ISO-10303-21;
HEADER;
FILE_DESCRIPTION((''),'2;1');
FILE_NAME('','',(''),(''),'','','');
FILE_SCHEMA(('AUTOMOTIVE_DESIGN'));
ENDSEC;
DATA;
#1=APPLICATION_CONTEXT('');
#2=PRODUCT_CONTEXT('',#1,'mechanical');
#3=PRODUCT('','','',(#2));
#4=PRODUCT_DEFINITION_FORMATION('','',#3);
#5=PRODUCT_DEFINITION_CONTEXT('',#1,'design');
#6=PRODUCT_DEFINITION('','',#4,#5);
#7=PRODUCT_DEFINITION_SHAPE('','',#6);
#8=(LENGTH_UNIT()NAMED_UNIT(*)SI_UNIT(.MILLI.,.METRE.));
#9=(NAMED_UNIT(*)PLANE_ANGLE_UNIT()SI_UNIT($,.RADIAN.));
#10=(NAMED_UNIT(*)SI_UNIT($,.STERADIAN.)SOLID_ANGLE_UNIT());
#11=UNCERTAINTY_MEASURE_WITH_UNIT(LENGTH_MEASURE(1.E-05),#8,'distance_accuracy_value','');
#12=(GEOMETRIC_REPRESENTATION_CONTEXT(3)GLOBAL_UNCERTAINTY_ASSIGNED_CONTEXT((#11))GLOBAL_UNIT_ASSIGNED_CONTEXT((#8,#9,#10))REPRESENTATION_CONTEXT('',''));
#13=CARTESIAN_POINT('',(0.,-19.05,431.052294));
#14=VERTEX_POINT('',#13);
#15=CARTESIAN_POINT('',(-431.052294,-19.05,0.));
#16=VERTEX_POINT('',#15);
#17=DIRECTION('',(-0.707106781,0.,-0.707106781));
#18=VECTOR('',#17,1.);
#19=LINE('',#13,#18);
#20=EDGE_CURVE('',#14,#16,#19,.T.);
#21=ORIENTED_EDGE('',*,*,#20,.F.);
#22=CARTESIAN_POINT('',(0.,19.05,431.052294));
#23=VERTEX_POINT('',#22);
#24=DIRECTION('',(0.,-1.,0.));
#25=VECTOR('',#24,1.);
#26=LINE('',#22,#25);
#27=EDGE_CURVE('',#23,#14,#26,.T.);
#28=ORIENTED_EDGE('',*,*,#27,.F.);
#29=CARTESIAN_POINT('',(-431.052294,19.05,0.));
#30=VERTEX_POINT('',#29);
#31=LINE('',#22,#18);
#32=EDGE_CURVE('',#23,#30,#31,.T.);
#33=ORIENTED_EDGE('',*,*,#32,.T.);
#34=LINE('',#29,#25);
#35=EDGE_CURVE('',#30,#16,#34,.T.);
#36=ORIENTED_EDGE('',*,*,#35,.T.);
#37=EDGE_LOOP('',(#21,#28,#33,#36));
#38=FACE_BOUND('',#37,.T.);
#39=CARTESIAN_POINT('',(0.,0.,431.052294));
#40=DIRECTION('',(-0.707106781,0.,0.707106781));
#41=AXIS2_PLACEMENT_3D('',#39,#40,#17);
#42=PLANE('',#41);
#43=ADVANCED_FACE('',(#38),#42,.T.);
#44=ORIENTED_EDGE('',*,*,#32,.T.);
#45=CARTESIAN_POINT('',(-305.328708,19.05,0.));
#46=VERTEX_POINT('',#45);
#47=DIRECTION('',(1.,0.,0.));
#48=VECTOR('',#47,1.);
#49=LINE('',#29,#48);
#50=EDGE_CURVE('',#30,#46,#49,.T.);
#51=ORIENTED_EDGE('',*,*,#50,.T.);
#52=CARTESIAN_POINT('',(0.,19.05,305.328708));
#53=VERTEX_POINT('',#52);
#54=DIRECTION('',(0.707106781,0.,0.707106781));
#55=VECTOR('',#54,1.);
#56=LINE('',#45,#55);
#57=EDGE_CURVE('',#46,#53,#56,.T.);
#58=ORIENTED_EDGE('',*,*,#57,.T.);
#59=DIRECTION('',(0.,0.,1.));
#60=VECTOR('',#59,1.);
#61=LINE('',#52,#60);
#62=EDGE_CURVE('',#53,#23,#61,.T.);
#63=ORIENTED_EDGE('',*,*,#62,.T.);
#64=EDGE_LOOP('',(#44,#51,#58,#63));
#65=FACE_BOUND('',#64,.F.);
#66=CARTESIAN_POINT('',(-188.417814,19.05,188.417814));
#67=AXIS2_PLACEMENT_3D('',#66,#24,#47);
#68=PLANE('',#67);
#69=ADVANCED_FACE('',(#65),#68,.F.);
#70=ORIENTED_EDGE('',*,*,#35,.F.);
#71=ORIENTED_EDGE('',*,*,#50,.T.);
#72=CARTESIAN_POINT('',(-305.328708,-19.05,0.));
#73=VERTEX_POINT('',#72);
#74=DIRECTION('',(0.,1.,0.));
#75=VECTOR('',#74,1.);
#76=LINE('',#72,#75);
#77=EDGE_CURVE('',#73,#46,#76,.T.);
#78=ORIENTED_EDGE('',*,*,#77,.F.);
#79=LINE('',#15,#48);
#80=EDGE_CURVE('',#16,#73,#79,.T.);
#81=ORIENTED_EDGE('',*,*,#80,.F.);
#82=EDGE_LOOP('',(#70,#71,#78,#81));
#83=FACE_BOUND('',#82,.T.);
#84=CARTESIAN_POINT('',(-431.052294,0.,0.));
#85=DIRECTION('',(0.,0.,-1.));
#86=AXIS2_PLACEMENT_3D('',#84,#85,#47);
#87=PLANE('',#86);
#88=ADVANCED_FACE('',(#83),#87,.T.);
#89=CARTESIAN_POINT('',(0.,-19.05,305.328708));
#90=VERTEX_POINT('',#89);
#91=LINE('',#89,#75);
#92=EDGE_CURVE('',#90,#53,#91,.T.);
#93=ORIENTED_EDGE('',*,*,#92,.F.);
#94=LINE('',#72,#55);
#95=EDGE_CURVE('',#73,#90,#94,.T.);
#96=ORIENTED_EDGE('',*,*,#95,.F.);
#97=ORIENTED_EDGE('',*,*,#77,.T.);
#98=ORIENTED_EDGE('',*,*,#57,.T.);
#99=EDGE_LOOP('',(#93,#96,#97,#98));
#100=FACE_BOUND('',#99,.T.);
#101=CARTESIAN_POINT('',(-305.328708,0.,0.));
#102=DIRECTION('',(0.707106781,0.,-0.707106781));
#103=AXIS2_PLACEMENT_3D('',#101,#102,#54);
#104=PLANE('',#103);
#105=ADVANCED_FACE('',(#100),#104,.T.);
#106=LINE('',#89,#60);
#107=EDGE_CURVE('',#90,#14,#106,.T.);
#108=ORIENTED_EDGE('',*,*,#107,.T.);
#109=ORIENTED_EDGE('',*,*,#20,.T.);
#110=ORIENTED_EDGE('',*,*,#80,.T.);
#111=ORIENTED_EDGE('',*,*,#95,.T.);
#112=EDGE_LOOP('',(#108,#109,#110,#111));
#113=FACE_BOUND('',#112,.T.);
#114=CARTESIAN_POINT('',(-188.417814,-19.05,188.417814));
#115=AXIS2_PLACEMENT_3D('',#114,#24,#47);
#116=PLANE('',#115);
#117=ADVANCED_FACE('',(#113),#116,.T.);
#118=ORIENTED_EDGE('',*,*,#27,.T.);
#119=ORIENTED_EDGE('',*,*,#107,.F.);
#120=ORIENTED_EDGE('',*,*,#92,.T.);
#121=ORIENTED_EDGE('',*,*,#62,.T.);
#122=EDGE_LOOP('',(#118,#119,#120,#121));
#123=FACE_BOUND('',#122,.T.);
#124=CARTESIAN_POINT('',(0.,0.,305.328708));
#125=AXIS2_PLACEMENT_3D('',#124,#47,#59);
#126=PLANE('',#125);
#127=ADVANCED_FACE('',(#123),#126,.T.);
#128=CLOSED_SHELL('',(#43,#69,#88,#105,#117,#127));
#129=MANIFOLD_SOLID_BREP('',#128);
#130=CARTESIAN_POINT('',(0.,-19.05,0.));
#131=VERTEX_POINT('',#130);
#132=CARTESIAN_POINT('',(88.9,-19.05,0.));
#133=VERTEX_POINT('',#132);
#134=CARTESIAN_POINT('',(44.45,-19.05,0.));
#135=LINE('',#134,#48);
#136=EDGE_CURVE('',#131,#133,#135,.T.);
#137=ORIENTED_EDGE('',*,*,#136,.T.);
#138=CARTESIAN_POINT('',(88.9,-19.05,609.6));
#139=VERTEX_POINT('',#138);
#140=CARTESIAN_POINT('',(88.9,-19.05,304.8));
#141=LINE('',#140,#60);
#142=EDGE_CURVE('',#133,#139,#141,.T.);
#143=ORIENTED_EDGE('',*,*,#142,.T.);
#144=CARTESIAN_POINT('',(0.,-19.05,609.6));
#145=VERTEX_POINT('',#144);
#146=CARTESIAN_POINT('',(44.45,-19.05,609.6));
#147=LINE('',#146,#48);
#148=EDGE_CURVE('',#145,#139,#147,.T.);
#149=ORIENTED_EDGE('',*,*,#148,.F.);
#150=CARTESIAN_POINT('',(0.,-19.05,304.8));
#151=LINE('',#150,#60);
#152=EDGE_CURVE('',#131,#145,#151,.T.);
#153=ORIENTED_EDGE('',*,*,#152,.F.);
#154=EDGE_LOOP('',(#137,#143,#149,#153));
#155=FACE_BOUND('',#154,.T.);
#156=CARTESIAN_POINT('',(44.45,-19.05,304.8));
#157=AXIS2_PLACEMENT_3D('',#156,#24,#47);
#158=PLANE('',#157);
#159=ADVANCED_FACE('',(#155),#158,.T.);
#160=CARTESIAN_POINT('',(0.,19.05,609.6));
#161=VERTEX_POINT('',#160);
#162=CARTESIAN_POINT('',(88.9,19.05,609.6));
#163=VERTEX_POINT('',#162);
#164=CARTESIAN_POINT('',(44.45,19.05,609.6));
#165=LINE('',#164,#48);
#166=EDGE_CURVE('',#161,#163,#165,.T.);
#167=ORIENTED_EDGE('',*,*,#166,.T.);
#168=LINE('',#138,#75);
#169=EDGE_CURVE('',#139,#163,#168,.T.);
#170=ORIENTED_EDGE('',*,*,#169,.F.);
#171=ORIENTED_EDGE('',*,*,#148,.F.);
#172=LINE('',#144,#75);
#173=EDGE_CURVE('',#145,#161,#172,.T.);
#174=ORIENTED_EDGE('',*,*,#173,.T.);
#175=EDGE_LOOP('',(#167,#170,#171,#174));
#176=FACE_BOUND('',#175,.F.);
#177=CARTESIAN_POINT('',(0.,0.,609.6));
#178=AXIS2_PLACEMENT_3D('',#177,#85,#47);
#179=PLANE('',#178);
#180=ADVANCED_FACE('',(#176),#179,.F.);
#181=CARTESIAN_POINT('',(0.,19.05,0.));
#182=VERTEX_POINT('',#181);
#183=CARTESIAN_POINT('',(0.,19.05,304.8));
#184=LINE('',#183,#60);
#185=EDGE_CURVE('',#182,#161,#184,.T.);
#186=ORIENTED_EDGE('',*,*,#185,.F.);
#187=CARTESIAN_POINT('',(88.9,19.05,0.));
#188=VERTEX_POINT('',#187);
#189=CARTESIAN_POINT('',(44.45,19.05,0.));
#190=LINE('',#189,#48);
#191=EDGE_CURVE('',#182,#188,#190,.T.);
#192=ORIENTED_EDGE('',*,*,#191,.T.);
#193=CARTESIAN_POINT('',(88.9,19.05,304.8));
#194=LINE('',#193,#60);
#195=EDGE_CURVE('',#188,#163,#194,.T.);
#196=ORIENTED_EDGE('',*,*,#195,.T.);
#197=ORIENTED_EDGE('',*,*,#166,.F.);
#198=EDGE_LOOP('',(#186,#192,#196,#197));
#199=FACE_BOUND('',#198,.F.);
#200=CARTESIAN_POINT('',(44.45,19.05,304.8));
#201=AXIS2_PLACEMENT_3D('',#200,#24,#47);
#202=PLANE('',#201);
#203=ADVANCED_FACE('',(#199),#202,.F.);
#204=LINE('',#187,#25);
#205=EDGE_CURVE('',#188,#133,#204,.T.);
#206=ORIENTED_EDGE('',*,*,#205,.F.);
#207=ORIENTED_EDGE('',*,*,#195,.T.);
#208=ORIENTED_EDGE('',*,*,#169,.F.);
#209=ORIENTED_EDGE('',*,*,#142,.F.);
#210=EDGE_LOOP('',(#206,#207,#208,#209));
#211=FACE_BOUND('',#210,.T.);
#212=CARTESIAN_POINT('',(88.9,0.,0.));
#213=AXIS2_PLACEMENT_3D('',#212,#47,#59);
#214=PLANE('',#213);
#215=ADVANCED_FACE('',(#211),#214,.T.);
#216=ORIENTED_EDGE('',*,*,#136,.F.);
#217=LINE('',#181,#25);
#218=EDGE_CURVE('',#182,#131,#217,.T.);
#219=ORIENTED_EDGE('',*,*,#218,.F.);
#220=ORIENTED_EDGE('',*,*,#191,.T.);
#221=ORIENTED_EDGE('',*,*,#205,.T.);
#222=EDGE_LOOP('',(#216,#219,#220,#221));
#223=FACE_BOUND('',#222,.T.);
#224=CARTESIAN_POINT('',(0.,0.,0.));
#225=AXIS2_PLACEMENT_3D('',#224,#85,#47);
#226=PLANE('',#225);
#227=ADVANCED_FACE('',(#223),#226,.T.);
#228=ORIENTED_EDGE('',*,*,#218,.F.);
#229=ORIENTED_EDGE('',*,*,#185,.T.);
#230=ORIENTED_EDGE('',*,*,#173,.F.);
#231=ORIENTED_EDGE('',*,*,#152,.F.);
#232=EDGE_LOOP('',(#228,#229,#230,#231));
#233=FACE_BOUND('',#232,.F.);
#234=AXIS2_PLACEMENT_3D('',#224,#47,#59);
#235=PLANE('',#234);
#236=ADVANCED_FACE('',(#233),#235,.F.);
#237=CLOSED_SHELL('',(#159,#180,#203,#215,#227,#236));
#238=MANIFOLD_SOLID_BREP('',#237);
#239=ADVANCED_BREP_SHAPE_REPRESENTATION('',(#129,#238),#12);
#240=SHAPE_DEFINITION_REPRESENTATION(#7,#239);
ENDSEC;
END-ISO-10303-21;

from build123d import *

# Parameters (mm, degrees)
F0_W     = 88.9
F0_H     = 609.6
F1_DEPTH = 19.05
F3_DEPTH = 19.05


with BuildPart() as f1:
    # F0 (on Front) → F1 (new body, symmetric)
    with BuildSketch(Plane.XZ):
        with Locations((44.45, 304.8)):
            Rectangle(F0_W, F0_H)
    extrude(amount=F1_DEPTH, both=True)


with BuildPart() as f3:
    # F2 (on Front) → F3 (new body, symmetric)
    with BuildSketch(Plane.XZ):
        Polygon((0, 305.328708), (0, 431.052294), (-431.052294, 0), (-305.328708, 0), align=None)
    extrude(amount=F3_DEPTH, both=True)


solid = Compound([f1.part, f3.part])
